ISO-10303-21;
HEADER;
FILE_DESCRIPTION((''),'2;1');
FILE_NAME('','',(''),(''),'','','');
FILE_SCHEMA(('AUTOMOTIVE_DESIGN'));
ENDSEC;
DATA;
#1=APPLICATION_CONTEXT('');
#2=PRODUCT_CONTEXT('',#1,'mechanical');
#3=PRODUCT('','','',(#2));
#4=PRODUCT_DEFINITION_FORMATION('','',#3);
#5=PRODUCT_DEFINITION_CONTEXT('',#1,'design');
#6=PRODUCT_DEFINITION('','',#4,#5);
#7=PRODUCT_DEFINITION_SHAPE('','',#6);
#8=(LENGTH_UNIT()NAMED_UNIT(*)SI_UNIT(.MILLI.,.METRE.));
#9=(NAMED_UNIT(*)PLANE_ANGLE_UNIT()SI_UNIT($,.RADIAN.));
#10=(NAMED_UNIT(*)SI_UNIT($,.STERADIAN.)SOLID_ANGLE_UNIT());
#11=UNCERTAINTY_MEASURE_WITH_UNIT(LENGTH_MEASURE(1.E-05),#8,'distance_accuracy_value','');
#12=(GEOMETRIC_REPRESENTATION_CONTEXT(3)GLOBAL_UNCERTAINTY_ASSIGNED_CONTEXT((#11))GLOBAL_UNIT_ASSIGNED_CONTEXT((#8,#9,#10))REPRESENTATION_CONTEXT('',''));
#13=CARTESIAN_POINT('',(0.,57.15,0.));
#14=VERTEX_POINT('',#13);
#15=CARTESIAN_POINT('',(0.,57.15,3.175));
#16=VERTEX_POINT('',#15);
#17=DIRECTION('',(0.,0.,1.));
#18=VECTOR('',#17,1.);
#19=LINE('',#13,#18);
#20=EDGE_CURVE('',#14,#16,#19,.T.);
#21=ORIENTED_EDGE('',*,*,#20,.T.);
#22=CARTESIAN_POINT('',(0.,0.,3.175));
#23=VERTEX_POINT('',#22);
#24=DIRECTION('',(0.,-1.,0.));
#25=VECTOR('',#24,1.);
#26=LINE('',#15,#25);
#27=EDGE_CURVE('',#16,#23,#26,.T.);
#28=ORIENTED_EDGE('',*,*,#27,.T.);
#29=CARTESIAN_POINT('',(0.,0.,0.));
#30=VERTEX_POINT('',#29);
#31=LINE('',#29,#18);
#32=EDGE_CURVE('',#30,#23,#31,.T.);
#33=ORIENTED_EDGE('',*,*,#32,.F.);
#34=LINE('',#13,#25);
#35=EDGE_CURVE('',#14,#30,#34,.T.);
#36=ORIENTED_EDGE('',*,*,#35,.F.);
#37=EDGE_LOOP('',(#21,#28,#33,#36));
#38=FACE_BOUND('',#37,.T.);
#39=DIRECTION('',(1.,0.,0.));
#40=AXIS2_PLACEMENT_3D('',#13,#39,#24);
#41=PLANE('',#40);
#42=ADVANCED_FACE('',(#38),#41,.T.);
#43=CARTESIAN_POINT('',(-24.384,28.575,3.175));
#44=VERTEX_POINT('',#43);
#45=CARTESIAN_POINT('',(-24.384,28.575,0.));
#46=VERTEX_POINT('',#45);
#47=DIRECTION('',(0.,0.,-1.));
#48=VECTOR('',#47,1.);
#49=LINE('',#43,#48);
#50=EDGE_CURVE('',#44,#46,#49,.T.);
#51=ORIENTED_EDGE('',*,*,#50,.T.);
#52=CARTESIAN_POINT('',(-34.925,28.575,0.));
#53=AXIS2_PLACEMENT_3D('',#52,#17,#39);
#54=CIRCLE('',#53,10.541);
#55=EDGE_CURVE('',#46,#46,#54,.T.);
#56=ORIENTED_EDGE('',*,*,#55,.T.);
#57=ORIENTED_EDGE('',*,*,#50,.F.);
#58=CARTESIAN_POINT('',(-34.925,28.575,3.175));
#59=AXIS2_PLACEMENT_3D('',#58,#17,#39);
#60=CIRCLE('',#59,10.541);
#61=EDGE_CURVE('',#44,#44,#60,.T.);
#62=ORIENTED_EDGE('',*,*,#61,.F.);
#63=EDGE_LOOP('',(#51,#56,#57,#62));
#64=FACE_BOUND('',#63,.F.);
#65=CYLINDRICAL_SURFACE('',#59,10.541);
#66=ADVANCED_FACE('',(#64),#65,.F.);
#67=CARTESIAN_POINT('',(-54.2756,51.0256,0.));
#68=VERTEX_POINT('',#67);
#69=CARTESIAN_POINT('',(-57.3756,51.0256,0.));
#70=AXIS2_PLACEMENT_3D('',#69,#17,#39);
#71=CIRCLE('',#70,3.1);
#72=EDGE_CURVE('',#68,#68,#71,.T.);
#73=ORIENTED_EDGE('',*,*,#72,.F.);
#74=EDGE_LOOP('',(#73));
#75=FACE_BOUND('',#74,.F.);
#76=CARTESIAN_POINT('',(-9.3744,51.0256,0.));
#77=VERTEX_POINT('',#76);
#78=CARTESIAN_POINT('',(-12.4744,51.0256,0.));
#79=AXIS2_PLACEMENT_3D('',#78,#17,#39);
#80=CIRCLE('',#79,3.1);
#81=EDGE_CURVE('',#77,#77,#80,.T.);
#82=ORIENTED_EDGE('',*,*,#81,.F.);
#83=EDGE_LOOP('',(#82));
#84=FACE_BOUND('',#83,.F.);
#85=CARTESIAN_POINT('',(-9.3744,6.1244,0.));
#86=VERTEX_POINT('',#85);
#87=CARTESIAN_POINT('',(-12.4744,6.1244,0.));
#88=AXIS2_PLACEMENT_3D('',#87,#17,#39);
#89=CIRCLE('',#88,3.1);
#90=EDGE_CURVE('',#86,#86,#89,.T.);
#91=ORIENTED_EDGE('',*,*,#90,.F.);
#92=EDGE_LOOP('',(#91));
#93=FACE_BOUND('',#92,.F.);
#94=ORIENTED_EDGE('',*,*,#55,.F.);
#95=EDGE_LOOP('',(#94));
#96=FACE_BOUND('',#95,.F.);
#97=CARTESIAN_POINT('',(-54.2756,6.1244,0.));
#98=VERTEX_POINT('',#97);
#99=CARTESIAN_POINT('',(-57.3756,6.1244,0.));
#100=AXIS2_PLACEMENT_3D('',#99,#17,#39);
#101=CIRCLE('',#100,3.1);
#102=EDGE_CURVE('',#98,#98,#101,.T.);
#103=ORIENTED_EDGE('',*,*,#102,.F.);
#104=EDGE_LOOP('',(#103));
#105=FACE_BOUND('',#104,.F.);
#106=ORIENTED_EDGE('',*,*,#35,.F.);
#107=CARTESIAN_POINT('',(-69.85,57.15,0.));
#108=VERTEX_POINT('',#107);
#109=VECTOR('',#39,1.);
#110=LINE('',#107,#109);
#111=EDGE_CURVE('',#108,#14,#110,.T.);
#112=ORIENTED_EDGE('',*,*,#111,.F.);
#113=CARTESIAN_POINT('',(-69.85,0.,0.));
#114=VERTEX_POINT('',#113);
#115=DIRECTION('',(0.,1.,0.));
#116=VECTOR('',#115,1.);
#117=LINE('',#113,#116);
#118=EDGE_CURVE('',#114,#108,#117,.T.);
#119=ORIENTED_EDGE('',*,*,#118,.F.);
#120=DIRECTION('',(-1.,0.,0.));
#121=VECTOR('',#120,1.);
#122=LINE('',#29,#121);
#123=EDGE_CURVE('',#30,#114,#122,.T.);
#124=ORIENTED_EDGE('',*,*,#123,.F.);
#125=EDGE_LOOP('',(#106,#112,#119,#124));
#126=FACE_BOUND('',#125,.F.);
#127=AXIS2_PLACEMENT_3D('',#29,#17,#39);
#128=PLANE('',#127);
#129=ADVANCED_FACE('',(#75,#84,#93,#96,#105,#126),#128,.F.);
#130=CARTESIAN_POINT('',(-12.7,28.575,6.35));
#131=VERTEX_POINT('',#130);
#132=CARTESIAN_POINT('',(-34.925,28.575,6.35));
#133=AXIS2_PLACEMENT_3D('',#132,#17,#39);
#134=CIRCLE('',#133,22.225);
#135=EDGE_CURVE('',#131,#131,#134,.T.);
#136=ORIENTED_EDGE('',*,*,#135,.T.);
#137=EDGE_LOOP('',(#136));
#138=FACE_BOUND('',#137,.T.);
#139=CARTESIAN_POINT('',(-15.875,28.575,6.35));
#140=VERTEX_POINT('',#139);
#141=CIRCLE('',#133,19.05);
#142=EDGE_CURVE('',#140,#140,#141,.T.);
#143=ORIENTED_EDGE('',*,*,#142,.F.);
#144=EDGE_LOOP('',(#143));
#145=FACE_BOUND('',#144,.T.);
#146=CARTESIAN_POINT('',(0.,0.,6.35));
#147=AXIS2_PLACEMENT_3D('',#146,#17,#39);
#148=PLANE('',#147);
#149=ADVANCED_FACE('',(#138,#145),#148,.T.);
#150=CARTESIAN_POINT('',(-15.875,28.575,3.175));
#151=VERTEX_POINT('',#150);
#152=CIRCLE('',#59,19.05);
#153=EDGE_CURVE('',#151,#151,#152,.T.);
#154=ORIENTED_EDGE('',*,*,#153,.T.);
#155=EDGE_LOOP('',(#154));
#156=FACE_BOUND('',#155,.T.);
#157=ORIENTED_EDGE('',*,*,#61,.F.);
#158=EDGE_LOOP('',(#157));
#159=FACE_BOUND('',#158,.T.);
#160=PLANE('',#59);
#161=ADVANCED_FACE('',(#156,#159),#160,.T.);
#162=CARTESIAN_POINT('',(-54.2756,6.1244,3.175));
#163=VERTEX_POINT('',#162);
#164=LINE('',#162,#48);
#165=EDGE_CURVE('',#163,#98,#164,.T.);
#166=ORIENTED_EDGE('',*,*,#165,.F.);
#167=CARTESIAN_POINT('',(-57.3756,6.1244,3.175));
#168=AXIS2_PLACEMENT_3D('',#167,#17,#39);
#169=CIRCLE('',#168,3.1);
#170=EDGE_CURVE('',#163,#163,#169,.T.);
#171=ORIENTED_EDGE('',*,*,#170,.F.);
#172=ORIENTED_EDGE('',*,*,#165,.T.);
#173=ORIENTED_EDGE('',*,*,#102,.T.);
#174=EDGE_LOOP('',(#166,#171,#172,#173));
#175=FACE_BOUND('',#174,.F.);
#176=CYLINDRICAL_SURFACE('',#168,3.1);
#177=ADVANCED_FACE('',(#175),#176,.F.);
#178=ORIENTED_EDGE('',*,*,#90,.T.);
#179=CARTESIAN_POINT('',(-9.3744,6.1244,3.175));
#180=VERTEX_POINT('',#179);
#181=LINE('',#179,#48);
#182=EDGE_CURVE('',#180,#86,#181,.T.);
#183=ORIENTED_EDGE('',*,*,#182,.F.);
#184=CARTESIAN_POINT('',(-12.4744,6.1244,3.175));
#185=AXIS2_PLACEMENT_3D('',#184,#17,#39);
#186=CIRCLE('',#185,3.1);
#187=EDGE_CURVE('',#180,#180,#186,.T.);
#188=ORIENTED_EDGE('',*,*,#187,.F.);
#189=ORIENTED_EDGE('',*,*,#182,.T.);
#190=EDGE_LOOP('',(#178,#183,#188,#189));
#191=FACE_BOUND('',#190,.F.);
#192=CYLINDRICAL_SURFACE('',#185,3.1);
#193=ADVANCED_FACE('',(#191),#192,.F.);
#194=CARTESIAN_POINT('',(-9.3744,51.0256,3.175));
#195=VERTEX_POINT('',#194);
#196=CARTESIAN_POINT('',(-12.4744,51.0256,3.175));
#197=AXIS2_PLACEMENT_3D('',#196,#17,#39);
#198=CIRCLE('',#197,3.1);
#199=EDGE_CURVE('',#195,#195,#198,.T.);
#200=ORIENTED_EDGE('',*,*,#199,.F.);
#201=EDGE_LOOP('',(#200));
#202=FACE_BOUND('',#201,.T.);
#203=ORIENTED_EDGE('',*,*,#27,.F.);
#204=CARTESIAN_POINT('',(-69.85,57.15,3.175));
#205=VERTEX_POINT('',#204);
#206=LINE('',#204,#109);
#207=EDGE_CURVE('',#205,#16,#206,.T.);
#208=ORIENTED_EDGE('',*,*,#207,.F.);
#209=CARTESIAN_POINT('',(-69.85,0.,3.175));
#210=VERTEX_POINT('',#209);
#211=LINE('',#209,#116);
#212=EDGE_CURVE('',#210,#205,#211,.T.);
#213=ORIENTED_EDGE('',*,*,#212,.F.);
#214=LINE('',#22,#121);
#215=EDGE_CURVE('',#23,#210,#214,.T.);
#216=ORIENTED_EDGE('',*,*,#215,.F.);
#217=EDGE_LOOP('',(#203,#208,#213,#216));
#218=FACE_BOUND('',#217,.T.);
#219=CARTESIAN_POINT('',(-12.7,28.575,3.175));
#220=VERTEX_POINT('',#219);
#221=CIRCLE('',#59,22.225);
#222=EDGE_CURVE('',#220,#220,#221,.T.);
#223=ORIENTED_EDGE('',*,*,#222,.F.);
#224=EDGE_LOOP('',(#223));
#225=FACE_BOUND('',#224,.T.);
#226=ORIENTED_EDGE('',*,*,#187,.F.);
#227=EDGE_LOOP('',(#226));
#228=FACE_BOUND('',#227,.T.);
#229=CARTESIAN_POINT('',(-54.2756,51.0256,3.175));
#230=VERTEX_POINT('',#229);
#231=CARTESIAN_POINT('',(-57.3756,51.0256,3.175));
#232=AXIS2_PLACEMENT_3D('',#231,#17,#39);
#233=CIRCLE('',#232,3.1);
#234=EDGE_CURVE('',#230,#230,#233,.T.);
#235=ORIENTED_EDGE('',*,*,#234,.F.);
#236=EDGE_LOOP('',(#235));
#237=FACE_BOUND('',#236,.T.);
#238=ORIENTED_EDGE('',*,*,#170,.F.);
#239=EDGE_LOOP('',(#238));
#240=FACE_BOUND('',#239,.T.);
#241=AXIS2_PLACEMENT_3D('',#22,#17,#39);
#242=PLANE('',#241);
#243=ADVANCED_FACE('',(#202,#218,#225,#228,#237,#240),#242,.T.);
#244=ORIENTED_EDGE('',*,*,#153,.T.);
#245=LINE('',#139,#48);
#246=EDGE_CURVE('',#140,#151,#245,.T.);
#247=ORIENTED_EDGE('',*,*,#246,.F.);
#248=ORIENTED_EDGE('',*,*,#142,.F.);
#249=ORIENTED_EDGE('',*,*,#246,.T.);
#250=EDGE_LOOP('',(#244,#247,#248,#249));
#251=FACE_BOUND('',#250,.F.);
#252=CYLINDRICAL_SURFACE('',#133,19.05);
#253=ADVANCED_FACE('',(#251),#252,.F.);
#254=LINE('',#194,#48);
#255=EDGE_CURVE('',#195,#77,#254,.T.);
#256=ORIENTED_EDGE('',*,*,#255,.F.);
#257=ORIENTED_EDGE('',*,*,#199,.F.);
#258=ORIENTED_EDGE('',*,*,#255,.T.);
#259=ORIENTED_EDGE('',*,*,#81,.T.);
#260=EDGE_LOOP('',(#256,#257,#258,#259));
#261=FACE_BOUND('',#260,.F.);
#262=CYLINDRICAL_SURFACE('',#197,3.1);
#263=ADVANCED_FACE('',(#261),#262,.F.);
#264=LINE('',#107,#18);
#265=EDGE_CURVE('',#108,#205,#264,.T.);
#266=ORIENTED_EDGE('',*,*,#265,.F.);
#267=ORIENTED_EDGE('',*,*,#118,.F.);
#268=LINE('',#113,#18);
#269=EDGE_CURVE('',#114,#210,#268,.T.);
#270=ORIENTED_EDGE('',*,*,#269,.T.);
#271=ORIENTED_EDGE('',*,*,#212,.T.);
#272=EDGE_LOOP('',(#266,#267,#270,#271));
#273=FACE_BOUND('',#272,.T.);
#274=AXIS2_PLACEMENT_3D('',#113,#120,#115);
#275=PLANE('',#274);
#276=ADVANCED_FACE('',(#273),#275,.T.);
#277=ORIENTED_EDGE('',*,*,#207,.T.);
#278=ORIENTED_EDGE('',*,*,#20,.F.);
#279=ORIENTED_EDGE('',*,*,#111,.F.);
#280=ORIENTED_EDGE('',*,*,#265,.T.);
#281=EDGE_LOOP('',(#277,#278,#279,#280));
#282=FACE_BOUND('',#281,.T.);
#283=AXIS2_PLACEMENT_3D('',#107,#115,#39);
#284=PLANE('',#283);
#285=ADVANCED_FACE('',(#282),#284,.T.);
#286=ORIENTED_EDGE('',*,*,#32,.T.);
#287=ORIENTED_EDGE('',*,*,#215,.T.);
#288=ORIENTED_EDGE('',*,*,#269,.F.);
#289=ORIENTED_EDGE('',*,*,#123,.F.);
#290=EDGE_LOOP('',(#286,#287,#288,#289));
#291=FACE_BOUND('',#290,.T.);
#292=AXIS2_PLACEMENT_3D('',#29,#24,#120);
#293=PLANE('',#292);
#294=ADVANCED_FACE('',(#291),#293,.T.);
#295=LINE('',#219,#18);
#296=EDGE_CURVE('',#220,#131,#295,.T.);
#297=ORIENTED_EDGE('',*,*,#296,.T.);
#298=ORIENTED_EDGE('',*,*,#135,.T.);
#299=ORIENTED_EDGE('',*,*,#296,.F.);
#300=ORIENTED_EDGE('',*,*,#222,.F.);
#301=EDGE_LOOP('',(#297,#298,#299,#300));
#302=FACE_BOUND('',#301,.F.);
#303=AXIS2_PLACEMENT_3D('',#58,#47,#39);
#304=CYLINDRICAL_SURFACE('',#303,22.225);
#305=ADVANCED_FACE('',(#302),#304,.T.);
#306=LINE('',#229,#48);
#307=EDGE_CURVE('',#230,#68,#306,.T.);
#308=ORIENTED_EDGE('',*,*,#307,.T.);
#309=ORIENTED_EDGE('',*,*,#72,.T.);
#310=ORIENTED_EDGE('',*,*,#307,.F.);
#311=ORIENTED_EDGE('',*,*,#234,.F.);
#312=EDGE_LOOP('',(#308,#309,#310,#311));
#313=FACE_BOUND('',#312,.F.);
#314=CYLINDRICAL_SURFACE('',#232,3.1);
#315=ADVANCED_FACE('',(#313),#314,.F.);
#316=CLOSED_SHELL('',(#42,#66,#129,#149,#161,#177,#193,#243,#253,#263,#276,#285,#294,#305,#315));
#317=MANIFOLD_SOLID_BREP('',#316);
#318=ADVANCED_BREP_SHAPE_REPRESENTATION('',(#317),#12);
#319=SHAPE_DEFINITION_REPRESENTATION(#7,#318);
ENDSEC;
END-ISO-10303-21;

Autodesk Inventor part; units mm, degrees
ref_plane "YZ Plane" through (0, 0, 0) normal (1, 0, 0) x (0, 1, 0)
ref_plane "XZ Plane" through (0, 0, 0) normal (0, 1, 0) x (-1, 0, 0)
ref_plane "XY Plane" through (0, 0, 0) normal (0, 0, 1) x (1, 0, 0)
sketch "Sketch1" plane through (0, 0, 0) normal (0, 0, 1) x (1, 0, 0)
  line L0 (0, 0) -> (-69.85, 0)
  line L1 (-69.85, 0) -> (-69.85, 57.15)
  line L2 (-69.85, 57.15) -> (0, 57.15)
  line L3 (0, 57.15) -> (0, 0)
  dimension "d0" = 69.85
  dimension "d1" = 57.15
extrude "Extrusion1" add sketch "Sketch1" along normal blind 3.175
sketch "Sketch2" plane through (0, 0, 3.175) normal (0, 0, 1) x (1, 0, 0)
  line L0 (-69.85, 57.15) -> (-69.85, 0) construction
  line L1 (-69.85, 0) -> (0, 0) construction
  line L2 (-69.85, 57.15) -> (0, 0) construction
  circle A0 centre (-34.925, 28.575) radius 22.225
  dimension "d4" = 44.45
extrude "Extrusion2" add sketch "Sketch2" along normal blind 3.175
sketch "Sketch3" plane through (0, 0, 3.175) normal (0, 0, 1) x (1, 0, 0)
  circle A0 centre (-34.925, 28.575) radius 22.225 construction
  circle A1 centre (-34.925, 28.575) radius 31.75 construction
  line L0 (-34.925, 28.575) -> (-12.4744, 6.1244) construction
  line L1 (-34.925, 28.575) -> (-3.175, 28.575) construction
  circle A2 centre (-12.4744, 6.1244) radius 3.1
  circle A3 centre (-12.4744, 51.0256) radius 3.1
  circle A4 centre (-57.3756, 51.0256) radius 3.1
  circle A5 centre (-57.3756, 6.1244) radius 3.1
  point P0 (0, 0)
  dimension "d7" = 63.5
  dimension "d8" = 45
  dimension "d9" = 6.2
  dimension "d12" = 360
extrude "Extrusion3" cut sketch "Sketch3" against normal blind 3.175
sketch "Sketch4" plane through (-34.925, 28.575, 6.35) normal (0, 0, 1) x (1, 0, 0)
  circle A0 centre (0, 0) radius 19.05
  point P0 (34.925, -28.575)
  dimension "d16" = 38.1
extrude "Extrusion4" cut sketch "Sketch4" against normal blind 3.175
sketch "Sketch5" plane through (-34.925, 28.575, 3.175) normal (0, 0, 1) x (1, 0, 0)
  circle A0 centre (0, 0) radius 10.541
  point P0 (34.925, -28.575)
  dimension "d19" = 21.082
extrude "Extrusion5" cut sketch "Sketch5" against normal blind 3.175
properties part number "endcap2" material "Aluminum 6061"
